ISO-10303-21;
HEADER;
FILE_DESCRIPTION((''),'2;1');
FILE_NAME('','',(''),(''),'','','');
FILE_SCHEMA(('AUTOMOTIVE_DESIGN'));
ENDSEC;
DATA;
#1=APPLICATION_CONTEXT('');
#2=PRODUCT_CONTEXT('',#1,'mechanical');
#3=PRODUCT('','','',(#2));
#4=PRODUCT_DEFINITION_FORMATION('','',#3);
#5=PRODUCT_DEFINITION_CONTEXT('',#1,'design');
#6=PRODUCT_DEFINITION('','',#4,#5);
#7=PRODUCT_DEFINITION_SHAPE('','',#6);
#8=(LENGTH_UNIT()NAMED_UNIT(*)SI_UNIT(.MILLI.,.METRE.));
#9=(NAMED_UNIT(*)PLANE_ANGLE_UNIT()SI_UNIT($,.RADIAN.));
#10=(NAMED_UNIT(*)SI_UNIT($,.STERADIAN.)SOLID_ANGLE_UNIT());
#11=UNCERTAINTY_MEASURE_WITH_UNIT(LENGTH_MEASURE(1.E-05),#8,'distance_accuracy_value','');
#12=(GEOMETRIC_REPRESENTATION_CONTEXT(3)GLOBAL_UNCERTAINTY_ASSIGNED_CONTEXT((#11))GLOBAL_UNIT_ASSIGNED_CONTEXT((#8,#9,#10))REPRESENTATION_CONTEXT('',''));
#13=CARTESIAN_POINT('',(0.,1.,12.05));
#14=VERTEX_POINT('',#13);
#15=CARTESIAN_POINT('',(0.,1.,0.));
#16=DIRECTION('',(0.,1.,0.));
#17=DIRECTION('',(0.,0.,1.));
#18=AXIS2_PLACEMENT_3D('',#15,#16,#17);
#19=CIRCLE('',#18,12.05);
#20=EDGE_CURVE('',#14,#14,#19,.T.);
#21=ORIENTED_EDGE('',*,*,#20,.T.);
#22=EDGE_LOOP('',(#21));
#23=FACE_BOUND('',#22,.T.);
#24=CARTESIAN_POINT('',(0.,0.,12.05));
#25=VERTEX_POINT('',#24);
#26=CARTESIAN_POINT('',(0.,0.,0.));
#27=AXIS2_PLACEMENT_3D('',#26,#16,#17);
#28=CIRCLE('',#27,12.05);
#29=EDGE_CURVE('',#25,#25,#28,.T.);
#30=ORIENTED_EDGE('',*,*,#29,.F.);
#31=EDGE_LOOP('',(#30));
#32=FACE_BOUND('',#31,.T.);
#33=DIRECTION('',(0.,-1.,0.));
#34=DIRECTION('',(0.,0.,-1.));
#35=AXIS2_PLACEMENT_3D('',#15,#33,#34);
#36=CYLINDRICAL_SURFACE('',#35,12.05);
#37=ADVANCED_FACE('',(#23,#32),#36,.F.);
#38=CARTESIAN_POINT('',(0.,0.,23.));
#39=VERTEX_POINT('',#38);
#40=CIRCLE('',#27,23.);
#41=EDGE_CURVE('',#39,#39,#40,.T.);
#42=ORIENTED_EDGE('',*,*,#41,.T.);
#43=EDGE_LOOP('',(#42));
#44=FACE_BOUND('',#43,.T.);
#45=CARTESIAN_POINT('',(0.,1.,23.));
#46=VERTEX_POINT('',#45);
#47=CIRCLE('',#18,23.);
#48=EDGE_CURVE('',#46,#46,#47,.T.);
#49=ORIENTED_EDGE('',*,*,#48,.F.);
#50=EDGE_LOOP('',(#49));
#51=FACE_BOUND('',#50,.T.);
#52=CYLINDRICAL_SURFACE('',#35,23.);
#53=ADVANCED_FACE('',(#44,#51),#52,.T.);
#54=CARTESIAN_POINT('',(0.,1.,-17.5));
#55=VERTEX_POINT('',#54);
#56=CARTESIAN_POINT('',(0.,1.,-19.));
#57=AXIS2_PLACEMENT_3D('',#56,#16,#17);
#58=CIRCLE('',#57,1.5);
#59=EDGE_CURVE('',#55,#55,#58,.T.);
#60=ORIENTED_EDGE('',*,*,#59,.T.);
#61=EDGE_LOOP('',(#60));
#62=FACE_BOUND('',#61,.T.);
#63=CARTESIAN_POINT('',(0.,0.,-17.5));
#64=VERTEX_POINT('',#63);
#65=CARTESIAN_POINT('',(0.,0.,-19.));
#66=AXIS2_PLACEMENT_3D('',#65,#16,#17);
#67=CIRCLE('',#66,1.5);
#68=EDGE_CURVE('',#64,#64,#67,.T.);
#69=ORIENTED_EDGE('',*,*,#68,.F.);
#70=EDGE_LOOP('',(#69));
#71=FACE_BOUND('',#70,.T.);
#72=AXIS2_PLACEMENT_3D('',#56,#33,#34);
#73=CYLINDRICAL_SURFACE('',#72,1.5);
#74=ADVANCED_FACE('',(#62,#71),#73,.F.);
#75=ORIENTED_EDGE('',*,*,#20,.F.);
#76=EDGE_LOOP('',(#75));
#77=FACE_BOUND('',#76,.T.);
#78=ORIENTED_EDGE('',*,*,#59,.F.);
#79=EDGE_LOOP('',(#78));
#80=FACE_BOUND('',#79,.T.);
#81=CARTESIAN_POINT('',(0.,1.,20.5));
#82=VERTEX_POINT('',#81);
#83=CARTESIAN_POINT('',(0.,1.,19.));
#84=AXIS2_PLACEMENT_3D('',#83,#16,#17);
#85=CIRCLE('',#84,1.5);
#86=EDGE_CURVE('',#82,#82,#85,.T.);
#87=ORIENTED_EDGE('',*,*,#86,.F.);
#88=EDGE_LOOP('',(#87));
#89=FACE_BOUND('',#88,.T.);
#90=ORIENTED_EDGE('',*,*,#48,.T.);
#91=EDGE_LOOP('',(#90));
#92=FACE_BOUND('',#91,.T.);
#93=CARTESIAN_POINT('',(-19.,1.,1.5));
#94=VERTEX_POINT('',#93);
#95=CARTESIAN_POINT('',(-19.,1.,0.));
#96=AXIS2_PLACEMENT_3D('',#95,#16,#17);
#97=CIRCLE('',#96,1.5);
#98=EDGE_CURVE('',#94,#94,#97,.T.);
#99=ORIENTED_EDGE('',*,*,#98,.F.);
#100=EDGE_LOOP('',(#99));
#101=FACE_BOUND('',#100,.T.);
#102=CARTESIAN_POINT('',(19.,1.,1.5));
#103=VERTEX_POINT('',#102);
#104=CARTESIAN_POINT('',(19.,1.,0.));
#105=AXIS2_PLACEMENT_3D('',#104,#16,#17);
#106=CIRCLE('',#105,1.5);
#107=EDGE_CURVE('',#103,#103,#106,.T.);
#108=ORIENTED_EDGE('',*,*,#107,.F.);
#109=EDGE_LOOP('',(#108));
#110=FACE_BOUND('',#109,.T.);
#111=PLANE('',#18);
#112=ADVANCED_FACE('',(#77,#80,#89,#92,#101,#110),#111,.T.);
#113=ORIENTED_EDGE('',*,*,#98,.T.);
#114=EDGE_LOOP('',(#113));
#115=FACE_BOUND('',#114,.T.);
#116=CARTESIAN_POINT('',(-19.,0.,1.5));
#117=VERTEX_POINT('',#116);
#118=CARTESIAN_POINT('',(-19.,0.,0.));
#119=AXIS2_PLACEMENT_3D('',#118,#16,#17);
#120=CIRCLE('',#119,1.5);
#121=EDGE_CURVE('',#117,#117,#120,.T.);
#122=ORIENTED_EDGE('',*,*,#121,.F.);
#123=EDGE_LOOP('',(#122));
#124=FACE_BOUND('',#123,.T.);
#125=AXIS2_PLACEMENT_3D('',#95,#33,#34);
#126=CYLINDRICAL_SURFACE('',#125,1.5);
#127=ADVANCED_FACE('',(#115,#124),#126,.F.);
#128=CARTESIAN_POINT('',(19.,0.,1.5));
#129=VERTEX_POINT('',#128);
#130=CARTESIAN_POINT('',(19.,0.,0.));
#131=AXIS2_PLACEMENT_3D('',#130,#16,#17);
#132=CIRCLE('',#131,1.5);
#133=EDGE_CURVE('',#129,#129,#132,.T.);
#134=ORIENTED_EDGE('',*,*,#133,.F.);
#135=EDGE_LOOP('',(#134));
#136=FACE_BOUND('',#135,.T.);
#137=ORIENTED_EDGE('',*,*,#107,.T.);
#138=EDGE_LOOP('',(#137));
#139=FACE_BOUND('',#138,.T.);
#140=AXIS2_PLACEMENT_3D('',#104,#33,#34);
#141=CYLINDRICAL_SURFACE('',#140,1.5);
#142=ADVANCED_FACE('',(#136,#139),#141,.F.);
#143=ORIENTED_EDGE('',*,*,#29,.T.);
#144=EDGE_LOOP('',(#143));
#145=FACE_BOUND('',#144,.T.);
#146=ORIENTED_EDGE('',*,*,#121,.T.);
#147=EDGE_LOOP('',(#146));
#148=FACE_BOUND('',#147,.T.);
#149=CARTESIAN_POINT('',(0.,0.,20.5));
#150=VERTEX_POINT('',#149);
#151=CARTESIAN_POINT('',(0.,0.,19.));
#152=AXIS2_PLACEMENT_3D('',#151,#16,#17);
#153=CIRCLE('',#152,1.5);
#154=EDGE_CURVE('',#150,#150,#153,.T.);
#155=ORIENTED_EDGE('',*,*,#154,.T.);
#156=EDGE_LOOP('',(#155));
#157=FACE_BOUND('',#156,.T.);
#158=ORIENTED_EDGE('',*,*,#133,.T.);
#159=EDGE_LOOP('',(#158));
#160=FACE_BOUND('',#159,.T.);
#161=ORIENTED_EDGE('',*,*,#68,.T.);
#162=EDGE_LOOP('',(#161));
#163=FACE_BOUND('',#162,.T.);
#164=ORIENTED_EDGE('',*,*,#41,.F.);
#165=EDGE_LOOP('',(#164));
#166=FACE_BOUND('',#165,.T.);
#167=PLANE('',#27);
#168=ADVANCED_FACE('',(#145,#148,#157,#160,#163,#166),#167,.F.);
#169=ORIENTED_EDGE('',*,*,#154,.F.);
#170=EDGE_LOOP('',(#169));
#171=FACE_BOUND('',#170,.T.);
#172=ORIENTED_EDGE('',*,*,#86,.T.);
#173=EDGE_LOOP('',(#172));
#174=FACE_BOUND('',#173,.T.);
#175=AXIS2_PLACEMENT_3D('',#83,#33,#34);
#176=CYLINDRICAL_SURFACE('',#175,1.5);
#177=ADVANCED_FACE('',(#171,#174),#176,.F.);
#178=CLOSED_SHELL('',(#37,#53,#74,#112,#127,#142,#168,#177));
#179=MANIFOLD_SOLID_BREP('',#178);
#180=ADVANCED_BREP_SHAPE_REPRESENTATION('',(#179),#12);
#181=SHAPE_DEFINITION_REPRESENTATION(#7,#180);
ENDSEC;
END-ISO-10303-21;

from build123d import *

# Parameters (mm, degrees)
SKETCH1_R           = 23
SKETCH1_R_2         = 12.05
SKETCH1_R_3         = 1.5
BOSS_EXTRUDE1_DEPTH = 1


with BuildPart() as part:
    # Sketch1 → Boss-Extrude1 (new body)
    with BuildSketch(Plane(origin=(0, 0, 0), x_dir=(1, 0, 0), z_dir=(0, 1, 0))):
        with Locations(Location((0, 0, 0), (0, 0, 270))):
            Circle(SKETCH1_R)
        with Locations(Location((0, 0, 0), (0, 0, 270))):
            Circle(SKETCH1_R_2, mode=Mode.SUBTRACT)
        with Locations(Location((0, 19, 0), (0, 0, 270))):
            Circle(SKETCH1_R_3, mode=Mode.SUBTRACT)
        with Locations(Location((19, 0, 0), (0, 0, 270))):
            Circle(SKETCH1_R_3, mode=Mode.SUBTRACT)
        with Locations(Location((0, -19, 0), (0, 0, 270))):
            Circle(SKETCH1_R_3, mode=Mode.SUBTRACT)
        with Locations(Location((-19, 0, 0), (0, 0, 270))):
            Circle(SKETCH1_R_3, mode=Mode.SUBTRACT)
    extrude(amount=BOSS_EXTRUDE1_DEPTH)


solid = part.part
